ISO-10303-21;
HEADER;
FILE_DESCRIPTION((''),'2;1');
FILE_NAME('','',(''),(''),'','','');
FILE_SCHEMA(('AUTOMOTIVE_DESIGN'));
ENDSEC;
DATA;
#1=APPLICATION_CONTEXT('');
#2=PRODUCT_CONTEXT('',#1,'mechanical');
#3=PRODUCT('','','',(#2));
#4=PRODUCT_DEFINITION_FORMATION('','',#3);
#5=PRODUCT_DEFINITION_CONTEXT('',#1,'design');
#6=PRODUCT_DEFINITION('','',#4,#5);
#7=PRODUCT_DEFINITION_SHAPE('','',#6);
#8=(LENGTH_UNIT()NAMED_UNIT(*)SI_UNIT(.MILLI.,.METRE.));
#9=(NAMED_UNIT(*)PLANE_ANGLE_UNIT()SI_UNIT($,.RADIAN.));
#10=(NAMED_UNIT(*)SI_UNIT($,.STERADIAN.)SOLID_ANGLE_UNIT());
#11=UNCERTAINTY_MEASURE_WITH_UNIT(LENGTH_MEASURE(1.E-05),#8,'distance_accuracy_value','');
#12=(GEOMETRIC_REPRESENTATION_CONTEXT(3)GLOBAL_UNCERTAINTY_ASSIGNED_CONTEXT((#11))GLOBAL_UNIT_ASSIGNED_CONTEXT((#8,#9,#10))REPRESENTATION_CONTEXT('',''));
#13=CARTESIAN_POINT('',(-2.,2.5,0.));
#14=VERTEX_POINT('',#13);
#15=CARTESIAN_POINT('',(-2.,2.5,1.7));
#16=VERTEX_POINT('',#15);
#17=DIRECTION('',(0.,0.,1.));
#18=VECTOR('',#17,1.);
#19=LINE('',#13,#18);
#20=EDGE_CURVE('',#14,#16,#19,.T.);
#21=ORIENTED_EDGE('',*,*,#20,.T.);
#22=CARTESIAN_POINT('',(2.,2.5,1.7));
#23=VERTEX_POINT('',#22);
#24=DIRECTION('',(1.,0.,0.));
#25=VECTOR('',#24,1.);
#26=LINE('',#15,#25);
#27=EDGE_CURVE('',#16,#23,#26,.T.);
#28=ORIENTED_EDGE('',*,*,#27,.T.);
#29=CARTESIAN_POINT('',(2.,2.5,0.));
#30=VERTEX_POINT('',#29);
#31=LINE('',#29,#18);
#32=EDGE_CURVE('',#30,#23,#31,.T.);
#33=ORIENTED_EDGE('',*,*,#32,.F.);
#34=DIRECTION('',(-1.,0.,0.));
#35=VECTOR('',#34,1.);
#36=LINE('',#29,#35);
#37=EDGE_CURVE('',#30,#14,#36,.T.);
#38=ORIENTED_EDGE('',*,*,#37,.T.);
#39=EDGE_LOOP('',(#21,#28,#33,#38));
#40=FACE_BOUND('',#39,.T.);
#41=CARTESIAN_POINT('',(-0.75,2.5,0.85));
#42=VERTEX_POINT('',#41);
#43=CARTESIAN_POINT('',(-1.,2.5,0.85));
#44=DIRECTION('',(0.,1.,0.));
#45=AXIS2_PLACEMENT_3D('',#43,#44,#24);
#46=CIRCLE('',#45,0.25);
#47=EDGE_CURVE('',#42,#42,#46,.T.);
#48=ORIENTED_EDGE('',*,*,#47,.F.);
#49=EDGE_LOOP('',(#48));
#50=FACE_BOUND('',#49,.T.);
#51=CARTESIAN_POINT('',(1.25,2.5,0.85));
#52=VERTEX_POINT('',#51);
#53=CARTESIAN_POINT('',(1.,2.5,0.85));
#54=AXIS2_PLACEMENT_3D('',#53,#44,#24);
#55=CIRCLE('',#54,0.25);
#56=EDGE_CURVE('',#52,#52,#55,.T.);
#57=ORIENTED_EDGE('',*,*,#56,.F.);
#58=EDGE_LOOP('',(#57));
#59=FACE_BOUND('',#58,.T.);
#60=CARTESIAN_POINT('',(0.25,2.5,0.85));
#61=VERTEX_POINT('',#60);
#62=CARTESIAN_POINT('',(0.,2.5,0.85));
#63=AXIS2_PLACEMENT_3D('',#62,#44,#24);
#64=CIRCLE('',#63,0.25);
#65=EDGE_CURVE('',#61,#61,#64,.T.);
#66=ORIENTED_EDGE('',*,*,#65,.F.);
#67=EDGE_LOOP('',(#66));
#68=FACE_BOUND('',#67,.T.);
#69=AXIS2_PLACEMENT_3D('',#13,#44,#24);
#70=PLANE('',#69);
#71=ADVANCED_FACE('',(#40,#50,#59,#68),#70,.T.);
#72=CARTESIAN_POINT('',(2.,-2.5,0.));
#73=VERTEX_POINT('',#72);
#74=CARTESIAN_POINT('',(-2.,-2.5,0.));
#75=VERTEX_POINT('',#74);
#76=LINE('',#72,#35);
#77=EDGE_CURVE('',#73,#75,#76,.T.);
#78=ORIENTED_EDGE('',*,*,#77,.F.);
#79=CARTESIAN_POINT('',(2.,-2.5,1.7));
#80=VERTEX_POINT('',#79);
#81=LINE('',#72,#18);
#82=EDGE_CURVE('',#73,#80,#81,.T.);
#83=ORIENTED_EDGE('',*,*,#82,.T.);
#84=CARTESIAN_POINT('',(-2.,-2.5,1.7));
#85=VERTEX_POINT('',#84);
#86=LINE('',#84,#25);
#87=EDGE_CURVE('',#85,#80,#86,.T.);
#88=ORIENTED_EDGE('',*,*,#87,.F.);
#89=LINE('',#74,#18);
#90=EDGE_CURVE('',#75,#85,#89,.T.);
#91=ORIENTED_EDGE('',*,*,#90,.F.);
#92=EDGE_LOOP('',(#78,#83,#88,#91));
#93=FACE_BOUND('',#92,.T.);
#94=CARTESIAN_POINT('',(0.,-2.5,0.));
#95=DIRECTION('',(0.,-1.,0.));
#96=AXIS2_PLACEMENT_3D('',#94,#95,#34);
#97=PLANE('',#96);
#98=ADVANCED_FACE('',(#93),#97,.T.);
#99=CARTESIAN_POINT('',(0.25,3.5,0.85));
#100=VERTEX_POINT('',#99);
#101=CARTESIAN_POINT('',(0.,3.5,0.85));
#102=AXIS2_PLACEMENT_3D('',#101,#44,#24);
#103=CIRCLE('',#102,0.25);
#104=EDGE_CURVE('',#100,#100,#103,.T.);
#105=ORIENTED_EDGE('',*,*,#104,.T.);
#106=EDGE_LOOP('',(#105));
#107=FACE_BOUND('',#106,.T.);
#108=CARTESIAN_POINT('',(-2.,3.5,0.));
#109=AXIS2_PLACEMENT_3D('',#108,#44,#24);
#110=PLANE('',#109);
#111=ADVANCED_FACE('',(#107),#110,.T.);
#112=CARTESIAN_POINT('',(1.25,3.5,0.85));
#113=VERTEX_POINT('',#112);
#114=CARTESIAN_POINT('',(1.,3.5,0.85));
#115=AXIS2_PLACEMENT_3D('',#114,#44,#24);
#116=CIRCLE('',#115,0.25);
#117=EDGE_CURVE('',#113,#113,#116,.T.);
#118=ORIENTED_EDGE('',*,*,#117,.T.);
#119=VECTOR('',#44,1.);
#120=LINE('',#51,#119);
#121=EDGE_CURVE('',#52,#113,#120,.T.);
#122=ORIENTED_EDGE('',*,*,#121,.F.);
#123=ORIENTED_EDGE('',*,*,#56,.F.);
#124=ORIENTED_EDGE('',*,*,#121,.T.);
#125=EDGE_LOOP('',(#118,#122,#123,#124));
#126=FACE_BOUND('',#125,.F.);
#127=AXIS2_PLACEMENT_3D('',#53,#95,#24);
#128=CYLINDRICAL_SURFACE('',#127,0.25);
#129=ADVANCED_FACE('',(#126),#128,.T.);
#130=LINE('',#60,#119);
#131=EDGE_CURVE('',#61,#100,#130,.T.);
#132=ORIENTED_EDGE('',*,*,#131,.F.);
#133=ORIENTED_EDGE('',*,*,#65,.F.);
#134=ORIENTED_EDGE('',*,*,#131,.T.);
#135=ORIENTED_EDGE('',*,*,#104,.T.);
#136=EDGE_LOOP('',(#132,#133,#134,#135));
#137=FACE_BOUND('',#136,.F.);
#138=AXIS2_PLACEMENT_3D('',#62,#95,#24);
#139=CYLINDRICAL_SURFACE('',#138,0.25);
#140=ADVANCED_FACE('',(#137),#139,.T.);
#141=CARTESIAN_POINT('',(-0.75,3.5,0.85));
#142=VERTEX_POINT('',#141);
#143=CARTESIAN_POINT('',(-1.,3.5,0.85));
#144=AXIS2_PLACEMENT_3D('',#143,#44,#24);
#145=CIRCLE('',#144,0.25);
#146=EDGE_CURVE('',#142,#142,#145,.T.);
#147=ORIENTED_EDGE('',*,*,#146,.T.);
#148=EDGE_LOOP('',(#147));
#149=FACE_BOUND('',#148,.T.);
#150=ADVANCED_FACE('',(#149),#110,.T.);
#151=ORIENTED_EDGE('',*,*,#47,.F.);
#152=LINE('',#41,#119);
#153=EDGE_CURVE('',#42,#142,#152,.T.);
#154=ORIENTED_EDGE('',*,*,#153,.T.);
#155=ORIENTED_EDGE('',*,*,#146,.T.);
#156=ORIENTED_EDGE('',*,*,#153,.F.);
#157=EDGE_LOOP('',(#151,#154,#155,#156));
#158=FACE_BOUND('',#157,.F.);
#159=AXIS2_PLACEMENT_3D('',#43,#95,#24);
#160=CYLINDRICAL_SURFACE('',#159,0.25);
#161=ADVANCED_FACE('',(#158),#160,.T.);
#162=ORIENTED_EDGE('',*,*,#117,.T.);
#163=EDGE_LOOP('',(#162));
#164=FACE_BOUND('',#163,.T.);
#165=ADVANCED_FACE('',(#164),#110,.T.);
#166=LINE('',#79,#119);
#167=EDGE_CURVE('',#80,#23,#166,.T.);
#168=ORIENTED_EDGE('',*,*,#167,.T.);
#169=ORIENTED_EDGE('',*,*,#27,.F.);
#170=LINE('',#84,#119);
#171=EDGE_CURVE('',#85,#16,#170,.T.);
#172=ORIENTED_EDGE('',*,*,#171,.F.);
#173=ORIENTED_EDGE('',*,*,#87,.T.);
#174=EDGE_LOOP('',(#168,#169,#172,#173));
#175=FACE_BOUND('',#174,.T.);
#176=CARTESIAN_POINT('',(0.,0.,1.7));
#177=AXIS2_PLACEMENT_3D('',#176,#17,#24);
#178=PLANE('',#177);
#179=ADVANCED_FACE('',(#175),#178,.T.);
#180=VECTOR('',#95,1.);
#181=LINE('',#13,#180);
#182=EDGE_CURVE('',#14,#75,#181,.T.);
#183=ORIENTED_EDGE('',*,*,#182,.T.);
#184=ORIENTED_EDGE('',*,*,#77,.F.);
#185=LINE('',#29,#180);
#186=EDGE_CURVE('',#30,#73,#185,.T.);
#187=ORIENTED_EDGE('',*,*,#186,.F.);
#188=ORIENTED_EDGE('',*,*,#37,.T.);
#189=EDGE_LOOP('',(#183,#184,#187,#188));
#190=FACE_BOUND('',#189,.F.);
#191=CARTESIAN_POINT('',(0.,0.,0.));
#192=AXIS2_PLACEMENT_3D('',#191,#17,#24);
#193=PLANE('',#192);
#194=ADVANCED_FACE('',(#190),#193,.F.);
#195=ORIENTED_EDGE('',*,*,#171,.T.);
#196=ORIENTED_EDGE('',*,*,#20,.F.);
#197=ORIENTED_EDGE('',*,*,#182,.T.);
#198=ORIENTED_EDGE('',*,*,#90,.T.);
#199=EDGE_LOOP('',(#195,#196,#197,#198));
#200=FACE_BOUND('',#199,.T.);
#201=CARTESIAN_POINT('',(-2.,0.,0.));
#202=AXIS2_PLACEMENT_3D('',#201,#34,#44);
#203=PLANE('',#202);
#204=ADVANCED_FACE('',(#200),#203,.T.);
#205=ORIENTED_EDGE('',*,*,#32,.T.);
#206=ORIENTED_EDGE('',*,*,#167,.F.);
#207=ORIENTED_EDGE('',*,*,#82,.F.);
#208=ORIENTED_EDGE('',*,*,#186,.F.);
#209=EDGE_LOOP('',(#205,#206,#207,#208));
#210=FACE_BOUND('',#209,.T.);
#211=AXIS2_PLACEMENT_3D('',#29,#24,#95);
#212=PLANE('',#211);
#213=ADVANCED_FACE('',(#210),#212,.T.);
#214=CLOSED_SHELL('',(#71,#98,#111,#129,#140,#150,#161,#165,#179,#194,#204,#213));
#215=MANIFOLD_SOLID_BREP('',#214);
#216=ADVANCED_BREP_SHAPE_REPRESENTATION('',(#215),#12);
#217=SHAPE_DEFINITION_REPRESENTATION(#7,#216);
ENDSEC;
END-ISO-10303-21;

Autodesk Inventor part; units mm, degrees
ref_plane "YZ Plane" through (0, 0, 0) normal (1, 0, 0) x (0, 1, 0)
ref_plane "XZ Plane" through (0, 0, 0) normal (0, 1, 0) x (-1, 0, 0)
ref_plane "XY Plane" through (0, 0, 0) normal (0, 0, 1) x (1, 0, 0)
sketch "Boceto1" plane through (0, 0, 0) normal (0, 0, 1) x (1, 0, 0)
  line L0 (-2, 2.5) -> (2, 2.5)
  line L1 (2, 2.5) -> (2, -2.5)
  line L2 (2, -2.5) -> (-2, -2.5)
  line L3 (-2, -2.5) -> (-2, 2.5)
  line L4 (0, -3.5) -> (0, 3.5) projected
  line L5 (-2.8, 0) -> (2.8, 0) projected
  point P0 (0, 0)
  dimension "d0" = 4
  dimension "d1" = 5
extrude "Extrusión1" add sketch "Boceto1" along normal blind 1.7
sketch "Boceto2" plane through (-2, 2.5, 0) normal (0, 1, 0) x (1, 0, 0)
  circle A0 centre (1, -0.85) radius 0.25
  circle A1 centre (2, -0.85) radius 0.25
  circle A2 centre (3, -0.85) radius 0.25
  line L0 (4, 0) -> (4, -1.7) projected
  line L1 (0, 0) -> (0, -1.7) projected
  line L2 (4, -1.7) -> (0, -1.7) projected
  point P0 (2, 0)
  dimension "d4" = 0.5
  dimension "d5" = 0.5
  dimension "d6" = 0.5
  dimension "d8" = 1
  dimension "d9" = 1
  dimension "d10" = 4
  dimension "d11" = 2
  dimension "d12" = 0.85
  dimension "d13" = 1.7
  dimension "d14" = 0.85
  dimension "d15" = 0.85
extrude "Extrusión2" add sketch "Boceto2" along normal blind 1
equation "\"d9\" = d8"
equation "\"d11\" = 0.5 * d10"
equation "\"d12\" = 0.5 * d13"
equation "\"d14\" = d12"
equation "\"d15\" = d12"
properties part number "Hall Sensor"
